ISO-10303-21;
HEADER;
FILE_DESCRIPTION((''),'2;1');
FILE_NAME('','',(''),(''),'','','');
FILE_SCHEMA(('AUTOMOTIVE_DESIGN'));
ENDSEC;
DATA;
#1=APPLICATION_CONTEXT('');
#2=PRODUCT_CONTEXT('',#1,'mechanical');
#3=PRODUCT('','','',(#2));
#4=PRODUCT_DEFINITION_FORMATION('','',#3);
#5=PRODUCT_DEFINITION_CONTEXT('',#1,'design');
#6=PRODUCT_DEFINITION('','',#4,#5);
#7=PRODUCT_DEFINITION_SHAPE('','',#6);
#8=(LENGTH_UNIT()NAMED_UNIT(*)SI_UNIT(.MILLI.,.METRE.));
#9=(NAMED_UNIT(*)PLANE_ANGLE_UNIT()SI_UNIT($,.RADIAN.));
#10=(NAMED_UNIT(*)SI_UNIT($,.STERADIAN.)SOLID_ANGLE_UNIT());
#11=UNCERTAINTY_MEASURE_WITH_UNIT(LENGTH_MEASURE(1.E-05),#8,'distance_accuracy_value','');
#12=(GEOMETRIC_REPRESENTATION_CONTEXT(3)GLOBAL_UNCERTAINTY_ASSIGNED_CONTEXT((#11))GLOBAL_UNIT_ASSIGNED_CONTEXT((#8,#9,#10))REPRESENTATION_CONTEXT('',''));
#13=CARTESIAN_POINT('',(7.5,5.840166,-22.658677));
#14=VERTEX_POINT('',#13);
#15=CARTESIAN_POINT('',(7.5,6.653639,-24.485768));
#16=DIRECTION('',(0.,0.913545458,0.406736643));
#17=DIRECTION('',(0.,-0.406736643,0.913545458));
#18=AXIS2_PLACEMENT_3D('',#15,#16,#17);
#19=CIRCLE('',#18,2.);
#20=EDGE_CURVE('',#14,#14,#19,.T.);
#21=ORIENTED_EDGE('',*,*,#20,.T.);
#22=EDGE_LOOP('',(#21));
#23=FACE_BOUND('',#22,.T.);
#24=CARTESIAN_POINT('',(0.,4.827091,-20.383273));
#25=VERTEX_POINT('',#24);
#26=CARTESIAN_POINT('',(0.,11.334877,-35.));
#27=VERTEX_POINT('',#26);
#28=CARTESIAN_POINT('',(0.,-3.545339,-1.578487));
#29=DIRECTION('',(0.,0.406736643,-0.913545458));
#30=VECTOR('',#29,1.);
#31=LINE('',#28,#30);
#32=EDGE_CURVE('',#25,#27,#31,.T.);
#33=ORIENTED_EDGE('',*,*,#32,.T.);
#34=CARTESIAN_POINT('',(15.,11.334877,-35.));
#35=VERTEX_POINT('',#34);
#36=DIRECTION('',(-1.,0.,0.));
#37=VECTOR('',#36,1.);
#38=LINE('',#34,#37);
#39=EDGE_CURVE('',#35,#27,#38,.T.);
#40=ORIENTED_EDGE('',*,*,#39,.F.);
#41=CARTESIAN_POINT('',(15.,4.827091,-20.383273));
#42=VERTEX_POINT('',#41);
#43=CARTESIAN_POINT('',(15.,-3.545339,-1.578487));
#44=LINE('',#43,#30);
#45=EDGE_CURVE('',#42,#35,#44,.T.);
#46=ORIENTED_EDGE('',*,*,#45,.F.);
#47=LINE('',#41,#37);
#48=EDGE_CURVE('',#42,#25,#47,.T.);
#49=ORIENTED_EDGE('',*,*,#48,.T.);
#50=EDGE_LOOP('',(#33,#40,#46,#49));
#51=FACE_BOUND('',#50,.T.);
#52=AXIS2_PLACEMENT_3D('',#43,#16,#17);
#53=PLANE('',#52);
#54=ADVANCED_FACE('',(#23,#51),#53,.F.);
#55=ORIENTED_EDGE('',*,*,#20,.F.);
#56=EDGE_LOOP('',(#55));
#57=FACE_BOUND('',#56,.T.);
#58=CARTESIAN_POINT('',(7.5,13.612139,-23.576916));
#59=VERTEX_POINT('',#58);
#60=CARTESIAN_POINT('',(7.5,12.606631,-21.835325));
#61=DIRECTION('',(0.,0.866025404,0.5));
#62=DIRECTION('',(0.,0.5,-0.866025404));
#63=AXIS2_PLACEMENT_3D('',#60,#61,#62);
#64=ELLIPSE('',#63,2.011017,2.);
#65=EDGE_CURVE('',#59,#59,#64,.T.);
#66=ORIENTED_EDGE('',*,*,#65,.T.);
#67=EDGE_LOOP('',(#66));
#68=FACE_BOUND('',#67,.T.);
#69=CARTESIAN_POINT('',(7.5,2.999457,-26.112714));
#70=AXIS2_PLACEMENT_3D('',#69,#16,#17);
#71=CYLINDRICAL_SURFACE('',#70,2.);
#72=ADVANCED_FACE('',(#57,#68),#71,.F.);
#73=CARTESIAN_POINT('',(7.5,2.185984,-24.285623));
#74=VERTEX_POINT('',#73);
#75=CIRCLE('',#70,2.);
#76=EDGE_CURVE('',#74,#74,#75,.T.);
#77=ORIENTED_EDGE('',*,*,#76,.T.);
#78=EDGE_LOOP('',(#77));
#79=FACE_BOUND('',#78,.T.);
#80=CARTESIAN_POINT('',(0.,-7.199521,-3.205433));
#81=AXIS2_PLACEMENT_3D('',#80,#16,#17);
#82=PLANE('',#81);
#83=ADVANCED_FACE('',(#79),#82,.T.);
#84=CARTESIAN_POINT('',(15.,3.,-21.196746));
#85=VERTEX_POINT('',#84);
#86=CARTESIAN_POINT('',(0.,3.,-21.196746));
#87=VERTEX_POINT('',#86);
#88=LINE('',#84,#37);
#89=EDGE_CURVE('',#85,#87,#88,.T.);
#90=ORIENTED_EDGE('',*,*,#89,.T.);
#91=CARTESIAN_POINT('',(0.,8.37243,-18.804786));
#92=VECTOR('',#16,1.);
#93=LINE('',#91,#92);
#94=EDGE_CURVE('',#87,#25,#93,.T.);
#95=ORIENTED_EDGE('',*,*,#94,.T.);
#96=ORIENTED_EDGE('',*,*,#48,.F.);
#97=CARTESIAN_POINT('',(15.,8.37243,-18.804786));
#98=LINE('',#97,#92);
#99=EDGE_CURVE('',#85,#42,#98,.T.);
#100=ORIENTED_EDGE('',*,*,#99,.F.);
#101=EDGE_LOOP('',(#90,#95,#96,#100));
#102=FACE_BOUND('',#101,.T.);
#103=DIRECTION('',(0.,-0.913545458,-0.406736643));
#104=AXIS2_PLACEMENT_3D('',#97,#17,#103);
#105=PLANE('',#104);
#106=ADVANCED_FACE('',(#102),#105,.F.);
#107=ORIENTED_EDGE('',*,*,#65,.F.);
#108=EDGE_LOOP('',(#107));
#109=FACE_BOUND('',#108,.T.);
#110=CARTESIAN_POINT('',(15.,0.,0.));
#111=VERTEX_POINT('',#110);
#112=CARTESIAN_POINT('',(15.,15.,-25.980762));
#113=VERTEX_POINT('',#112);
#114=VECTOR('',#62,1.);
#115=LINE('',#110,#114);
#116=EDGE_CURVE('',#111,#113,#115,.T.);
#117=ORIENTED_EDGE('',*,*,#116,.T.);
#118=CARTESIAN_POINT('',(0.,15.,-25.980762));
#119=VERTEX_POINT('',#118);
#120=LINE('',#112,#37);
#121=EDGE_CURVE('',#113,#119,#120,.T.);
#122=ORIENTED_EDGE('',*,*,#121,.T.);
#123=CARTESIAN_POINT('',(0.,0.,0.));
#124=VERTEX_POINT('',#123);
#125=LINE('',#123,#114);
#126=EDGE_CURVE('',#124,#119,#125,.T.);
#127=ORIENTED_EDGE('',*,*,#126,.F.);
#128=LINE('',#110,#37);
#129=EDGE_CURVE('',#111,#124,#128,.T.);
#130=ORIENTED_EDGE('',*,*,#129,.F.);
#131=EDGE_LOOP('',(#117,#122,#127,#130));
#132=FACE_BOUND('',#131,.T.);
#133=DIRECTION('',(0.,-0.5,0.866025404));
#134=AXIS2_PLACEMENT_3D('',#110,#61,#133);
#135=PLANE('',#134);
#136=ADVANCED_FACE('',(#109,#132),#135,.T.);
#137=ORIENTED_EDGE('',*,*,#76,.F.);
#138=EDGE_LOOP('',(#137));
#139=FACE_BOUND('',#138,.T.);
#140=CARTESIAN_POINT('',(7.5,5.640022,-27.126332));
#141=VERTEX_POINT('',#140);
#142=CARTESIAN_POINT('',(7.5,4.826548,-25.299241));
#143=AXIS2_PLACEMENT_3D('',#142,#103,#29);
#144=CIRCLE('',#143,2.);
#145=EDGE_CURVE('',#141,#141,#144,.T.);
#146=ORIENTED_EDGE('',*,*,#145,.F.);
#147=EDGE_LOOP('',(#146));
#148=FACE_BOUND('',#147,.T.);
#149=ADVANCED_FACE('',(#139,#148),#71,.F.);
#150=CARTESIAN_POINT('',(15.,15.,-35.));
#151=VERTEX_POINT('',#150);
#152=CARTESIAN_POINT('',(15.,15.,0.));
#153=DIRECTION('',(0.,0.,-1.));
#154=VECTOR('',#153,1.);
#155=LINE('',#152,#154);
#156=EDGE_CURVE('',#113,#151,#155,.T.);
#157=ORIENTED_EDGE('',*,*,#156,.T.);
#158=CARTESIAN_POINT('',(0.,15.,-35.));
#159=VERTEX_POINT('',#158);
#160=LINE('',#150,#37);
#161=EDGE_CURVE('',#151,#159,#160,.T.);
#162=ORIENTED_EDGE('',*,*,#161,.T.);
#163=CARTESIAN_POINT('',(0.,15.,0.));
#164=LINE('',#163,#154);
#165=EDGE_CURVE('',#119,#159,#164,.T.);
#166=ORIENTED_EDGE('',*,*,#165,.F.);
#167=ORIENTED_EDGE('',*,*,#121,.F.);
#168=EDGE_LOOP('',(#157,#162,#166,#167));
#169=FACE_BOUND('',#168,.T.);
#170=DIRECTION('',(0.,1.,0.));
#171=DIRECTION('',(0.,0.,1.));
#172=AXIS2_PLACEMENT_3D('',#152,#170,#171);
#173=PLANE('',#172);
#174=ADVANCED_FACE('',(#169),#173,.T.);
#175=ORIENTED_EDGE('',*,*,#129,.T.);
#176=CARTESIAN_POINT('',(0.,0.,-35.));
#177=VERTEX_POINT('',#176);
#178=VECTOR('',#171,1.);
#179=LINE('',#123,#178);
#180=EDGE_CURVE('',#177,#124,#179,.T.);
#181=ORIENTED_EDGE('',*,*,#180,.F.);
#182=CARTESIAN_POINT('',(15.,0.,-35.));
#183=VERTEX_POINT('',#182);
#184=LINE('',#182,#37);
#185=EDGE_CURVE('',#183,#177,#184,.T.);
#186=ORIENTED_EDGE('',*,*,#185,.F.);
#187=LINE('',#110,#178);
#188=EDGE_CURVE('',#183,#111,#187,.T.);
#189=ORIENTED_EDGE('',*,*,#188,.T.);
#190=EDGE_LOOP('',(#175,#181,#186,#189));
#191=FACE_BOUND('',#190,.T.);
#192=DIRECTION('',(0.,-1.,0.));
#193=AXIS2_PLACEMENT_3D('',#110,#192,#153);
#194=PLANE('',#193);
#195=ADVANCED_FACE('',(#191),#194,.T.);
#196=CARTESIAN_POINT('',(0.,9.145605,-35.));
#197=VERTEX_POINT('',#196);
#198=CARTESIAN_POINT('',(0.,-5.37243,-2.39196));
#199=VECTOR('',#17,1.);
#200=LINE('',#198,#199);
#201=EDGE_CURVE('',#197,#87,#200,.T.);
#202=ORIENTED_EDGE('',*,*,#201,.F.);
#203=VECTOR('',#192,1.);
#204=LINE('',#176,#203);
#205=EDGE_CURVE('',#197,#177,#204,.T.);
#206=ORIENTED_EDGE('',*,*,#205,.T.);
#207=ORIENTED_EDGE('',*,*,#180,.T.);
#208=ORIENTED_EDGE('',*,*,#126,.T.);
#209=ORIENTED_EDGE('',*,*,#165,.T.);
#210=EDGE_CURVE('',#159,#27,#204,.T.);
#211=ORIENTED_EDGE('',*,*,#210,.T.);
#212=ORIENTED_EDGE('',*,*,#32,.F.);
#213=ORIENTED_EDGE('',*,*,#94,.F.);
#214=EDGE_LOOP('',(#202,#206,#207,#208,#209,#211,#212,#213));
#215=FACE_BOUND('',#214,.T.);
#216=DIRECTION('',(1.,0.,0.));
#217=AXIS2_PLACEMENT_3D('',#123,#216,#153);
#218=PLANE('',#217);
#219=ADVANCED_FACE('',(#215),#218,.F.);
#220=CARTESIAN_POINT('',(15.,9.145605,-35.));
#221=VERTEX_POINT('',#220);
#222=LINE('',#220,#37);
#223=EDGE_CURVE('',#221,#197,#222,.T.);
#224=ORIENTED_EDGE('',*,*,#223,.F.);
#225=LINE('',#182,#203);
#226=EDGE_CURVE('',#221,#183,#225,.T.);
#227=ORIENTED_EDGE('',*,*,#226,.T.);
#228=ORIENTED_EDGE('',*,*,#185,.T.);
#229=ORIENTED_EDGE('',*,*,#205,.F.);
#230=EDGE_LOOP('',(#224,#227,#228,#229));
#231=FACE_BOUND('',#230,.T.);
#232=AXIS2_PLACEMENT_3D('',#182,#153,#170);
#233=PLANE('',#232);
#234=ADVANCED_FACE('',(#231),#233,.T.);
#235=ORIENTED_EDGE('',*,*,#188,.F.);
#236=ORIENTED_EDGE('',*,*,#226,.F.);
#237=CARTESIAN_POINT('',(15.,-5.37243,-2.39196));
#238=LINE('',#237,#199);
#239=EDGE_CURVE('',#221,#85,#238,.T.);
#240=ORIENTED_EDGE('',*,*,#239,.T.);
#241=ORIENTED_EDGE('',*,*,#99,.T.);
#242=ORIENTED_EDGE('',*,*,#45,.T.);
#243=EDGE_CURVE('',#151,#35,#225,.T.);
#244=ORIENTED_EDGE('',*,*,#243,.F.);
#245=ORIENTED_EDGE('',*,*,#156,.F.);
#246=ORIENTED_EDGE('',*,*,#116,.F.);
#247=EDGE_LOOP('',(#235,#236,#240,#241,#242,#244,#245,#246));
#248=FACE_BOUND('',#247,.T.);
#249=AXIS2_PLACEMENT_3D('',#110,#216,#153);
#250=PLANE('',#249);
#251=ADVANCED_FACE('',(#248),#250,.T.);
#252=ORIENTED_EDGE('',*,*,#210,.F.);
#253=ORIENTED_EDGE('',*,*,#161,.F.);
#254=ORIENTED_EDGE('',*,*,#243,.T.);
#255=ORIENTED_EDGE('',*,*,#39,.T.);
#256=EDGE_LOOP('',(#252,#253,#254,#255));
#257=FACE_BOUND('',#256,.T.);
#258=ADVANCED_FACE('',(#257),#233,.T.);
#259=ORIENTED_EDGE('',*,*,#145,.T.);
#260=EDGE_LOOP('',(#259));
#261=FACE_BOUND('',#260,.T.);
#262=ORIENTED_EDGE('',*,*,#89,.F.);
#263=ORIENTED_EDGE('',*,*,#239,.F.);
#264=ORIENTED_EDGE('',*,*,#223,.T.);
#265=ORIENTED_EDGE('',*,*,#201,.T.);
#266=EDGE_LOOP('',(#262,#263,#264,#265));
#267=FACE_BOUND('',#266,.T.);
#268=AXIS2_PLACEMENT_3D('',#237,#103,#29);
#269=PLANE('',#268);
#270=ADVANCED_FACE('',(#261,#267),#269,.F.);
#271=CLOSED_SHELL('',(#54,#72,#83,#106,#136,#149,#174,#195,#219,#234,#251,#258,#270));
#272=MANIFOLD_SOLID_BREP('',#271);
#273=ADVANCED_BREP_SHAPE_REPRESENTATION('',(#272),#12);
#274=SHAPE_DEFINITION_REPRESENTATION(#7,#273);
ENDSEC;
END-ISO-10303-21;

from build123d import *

# Parameters (mm, degrees)
BOSS_EXTRUDE2_DEPTH     = 15
CUT_EXTRUDE5_DEPTH      = 11
CUT_EXTRUDE5_DEPTH_BACK = 2


with BuildPart() as part:
    # Sketch3 → Boss-Extrude2 (new body)
    with BuildSketch(Plane(origin=(0, 0, 0), x_dir=(0, 0, -1), z_dir=(1, 0, 0))):
        Polygon((0, 0), (25.980762114, 15), (35, 15), (35, 11.334877204), (20.383272678, 4.827090915), (21.196745964, 3), (35, 9.145604647), (35, 0), align=None)
    extrude(amount=BOSS_EXTRUDE2_DEPTH)

    # Sketch7 → Cut-Extrude5 (cut, two sides)
    with BuildSketch(Plane(origin=(0, -5.37243013, -2.391960004), x_dir=(1, 0, 0), z_dir=(0, 0.913545458, 0.406736643))) as cut_extrude5_sk:
        with BuildLine():
            ThreePointArc((9.5, 25.075140664), (8.914213562, 26.489354226), (7.5, 27.075140664))
            Line((7.5, 27.075140664), (7.5, 23.075140664))
            ThreePointArc((7.5, 23.075140664), (8.914213562, 23.660927101), (9.5, 25.075140664))
        make_face()
        with BuildLine():
            Line((7.5, 23.075140664), (7.5, 27.075140664))
            ThreePointArc((7.5, 27.075140664), (5.5, 25.075140664), (7.5, 23.075140664))
        make_face()
    extrude(amount=CUT_EXTRUDE5_DEPTH, mode=Mode.SUBTRACT)
    extrude(cut_extrude5_sk.sketch, amount=-CUT_EXTRUDE5_DEPTH_BACK, mode=Mode.SUBTRACT)


solid = part.part
